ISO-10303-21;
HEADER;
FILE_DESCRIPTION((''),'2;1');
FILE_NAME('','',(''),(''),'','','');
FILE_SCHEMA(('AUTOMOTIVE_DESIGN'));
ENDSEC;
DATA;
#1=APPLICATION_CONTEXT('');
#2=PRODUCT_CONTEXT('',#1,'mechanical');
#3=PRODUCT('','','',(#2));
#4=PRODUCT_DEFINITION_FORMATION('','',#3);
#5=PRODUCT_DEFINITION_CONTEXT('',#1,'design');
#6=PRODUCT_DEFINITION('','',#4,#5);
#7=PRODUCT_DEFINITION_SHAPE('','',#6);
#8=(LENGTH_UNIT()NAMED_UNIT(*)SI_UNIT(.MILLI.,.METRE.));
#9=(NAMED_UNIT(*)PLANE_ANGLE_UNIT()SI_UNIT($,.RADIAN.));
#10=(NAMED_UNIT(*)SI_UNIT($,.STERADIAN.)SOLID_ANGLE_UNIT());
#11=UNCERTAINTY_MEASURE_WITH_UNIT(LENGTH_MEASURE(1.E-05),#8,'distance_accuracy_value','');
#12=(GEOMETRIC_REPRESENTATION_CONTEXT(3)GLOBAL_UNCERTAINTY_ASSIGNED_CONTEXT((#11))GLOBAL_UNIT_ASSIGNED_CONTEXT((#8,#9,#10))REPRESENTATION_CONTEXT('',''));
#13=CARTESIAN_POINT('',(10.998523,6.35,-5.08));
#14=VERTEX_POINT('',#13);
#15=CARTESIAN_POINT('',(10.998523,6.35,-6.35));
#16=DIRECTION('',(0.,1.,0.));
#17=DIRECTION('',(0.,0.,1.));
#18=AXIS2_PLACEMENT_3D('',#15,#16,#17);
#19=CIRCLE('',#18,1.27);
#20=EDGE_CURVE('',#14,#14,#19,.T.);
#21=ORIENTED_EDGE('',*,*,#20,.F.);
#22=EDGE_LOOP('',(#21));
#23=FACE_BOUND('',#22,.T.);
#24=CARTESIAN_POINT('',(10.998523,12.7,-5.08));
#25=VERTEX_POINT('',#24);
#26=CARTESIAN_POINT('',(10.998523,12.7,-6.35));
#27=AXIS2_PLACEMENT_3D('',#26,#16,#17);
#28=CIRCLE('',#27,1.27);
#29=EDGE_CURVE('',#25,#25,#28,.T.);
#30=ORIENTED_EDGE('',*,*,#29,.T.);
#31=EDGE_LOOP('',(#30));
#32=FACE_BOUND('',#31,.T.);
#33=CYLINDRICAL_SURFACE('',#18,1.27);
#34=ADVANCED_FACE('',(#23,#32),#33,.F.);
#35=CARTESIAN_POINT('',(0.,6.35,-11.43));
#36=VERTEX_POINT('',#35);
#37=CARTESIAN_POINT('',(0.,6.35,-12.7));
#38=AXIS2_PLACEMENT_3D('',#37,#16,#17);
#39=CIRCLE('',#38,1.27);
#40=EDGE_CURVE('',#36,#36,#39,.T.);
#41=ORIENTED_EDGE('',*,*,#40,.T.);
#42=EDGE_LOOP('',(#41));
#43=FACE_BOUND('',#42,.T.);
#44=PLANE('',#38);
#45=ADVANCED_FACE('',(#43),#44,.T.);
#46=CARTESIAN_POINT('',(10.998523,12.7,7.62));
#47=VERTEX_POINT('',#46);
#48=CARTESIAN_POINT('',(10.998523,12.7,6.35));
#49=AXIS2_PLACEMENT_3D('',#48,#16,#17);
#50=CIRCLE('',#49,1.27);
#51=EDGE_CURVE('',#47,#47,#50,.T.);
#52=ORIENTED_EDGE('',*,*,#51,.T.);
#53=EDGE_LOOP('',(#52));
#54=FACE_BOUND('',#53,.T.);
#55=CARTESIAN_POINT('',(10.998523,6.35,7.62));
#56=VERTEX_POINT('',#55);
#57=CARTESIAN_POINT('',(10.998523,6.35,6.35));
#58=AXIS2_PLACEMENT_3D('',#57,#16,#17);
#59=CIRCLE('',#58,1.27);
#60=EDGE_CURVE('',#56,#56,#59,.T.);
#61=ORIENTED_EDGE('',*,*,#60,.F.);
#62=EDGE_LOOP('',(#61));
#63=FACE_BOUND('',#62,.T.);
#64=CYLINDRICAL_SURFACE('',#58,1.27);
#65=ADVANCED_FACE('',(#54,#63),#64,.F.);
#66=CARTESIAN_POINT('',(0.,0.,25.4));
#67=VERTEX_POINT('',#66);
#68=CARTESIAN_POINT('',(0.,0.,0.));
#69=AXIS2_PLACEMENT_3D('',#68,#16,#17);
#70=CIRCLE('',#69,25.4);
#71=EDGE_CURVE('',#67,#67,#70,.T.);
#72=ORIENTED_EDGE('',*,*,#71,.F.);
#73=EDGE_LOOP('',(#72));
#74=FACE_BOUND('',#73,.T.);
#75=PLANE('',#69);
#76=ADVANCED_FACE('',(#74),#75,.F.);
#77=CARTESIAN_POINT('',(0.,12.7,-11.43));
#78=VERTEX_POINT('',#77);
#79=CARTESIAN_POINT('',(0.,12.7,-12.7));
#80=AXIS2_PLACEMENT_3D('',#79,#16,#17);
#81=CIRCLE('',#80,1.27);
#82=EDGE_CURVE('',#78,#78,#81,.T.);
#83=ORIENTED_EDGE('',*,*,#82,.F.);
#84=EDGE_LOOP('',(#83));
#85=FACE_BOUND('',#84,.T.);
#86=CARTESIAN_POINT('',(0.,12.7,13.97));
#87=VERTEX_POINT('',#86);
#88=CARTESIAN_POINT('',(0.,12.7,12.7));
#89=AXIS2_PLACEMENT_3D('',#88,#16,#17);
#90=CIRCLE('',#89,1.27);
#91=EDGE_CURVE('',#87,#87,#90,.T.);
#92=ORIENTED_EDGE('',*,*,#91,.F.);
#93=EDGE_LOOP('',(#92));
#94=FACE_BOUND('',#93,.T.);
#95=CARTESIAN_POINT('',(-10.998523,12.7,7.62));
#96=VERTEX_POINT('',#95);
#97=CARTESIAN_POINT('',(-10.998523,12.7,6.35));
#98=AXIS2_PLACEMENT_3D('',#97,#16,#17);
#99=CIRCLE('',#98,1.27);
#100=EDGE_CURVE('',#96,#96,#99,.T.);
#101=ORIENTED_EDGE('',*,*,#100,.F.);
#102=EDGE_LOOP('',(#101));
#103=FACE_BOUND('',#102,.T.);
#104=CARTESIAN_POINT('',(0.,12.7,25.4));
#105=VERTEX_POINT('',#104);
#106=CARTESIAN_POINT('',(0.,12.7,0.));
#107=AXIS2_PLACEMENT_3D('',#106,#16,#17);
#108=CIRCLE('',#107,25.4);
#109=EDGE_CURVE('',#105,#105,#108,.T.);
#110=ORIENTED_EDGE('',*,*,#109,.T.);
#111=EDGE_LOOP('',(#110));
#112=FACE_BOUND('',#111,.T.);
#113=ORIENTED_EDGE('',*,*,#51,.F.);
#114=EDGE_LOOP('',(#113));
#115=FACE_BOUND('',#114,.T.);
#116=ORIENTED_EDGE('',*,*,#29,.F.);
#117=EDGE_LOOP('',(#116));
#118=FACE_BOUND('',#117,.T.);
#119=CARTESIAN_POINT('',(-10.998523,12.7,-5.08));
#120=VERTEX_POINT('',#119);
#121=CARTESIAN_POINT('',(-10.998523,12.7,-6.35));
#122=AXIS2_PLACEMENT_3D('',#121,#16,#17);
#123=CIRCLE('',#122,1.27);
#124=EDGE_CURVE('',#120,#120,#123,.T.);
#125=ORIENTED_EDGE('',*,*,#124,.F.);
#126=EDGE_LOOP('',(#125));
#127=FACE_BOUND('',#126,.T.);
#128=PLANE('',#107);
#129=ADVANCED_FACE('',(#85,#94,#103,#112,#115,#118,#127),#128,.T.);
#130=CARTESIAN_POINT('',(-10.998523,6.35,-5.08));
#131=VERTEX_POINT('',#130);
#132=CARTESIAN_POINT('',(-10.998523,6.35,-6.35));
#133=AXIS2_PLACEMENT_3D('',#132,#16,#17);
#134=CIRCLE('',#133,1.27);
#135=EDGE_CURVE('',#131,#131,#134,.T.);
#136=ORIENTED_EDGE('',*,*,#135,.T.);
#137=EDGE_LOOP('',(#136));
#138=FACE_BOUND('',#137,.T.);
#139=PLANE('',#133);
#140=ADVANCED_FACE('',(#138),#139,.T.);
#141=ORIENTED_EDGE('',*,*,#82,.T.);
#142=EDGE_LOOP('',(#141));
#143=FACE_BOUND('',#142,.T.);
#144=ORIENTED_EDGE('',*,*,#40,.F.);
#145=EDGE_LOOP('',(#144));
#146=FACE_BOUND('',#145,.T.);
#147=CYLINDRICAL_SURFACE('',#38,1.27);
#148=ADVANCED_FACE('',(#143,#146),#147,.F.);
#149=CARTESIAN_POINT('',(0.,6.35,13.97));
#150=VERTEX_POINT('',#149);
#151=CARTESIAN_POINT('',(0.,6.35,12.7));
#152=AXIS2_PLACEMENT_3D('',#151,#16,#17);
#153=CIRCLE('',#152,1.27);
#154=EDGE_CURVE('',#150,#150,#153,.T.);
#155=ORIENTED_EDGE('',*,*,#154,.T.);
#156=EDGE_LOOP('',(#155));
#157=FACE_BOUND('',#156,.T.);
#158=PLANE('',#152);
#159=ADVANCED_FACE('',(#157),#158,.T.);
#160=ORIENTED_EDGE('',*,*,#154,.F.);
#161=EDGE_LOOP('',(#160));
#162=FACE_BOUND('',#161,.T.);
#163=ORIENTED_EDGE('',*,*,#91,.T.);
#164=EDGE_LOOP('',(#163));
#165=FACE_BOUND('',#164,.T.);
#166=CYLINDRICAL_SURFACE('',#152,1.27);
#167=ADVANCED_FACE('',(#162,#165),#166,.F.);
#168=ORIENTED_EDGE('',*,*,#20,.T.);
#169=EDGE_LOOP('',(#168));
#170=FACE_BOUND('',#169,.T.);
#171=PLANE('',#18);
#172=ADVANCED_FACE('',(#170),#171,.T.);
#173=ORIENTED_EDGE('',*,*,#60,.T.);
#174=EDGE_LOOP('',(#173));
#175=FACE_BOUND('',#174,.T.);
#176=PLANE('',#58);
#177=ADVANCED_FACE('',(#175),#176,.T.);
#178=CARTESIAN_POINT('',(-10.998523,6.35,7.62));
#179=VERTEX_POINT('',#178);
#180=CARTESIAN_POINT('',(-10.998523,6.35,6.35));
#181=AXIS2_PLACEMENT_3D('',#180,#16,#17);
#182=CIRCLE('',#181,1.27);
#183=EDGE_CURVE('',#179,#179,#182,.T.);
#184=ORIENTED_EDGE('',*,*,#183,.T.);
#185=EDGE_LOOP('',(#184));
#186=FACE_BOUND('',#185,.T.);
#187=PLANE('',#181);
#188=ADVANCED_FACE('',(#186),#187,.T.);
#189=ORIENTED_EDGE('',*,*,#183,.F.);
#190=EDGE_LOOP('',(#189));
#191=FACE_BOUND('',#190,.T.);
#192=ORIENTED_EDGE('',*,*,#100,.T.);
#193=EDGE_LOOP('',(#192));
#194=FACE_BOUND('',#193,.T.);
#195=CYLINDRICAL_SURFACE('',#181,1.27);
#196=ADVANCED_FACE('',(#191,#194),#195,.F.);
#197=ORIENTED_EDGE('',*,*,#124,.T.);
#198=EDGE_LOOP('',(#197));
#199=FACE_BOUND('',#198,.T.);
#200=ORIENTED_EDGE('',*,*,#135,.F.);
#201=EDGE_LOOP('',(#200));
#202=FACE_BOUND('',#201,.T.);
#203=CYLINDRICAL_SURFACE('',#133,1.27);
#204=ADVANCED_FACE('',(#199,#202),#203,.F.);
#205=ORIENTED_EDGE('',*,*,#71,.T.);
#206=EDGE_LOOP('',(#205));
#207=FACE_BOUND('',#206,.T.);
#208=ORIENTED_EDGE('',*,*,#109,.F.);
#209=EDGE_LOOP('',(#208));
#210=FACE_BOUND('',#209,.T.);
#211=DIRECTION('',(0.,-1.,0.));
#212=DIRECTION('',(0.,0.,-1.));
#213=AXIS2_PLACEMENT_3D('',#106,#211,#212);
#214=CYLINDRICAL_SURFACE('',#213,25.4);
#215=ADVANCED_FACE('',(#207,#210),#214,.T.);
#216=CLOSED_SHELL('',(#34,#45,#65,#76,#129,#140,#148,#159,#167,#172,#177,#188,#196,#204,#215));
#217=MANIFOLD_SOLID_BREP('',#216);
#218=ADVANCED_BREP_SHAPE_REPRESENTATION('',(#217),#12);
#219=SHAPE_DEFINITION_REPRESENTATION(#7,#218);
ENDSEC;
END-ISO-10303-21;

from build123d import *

# Parameters (mm, degrees)
SKETCH1_R           = 25.4
BOSS_EXTRUDE1_DEPTH = 12.7
SKETCH2_R           = 1.27
CUT_EXTRUDE1_DEPTH  = 6.35


with BuildPart() as part:
    # Sketch1 → Boss-Extrude1 (new body)
    with BuildSketch(Plane(origin=(0, 0, 0), x_dir=(1, 0, 0), z_dir=(0, 1, 0))):
        with Locations(Location((0, 0, 0), (0, 0, 270))):
            Circle(SKETCH1_R)
    extrude(amount=BOSS_EXTRUDE1_DEPTH)

    # Sketch2 → Cut-Extrude1 (cut)
    with BuildSketch(Plane(origin=(0, 12.7, 0), x_dir=(1, 0, 0), z_dir=(0, 1, 0))):
        with Locations(Location((0, 12.7, 0), (0, 0, 270))):
            Circle(SKETCH2_R)
        with Locations(Location((10.998522628, 6.35, 0), (0, 0, 270))):
            Circle(SKETCH2_R)
        with Locations(Location((10.998522628, -6.35, 0), (0, 0, 270))):
            Circle(SKETCH2_R)
        with Locations(Location((0, -12.7, 0), (0, 0, 270))):
            Circle(SKETCH2_R)
        with Locations(Location((-10.998522628, -6.35, 0), (0, 0, 270))):
            Circle(SKETCH2_R)
        with Locations(Location((-10.998522628, 6.35, 0), (0, 0, 270))):
            Circle(SKETCH2_R)
    extrude(amount=-CUT_EXTRUDE1_DEPTH, mode=Mode.SUBTRACT)


solid = part.part
